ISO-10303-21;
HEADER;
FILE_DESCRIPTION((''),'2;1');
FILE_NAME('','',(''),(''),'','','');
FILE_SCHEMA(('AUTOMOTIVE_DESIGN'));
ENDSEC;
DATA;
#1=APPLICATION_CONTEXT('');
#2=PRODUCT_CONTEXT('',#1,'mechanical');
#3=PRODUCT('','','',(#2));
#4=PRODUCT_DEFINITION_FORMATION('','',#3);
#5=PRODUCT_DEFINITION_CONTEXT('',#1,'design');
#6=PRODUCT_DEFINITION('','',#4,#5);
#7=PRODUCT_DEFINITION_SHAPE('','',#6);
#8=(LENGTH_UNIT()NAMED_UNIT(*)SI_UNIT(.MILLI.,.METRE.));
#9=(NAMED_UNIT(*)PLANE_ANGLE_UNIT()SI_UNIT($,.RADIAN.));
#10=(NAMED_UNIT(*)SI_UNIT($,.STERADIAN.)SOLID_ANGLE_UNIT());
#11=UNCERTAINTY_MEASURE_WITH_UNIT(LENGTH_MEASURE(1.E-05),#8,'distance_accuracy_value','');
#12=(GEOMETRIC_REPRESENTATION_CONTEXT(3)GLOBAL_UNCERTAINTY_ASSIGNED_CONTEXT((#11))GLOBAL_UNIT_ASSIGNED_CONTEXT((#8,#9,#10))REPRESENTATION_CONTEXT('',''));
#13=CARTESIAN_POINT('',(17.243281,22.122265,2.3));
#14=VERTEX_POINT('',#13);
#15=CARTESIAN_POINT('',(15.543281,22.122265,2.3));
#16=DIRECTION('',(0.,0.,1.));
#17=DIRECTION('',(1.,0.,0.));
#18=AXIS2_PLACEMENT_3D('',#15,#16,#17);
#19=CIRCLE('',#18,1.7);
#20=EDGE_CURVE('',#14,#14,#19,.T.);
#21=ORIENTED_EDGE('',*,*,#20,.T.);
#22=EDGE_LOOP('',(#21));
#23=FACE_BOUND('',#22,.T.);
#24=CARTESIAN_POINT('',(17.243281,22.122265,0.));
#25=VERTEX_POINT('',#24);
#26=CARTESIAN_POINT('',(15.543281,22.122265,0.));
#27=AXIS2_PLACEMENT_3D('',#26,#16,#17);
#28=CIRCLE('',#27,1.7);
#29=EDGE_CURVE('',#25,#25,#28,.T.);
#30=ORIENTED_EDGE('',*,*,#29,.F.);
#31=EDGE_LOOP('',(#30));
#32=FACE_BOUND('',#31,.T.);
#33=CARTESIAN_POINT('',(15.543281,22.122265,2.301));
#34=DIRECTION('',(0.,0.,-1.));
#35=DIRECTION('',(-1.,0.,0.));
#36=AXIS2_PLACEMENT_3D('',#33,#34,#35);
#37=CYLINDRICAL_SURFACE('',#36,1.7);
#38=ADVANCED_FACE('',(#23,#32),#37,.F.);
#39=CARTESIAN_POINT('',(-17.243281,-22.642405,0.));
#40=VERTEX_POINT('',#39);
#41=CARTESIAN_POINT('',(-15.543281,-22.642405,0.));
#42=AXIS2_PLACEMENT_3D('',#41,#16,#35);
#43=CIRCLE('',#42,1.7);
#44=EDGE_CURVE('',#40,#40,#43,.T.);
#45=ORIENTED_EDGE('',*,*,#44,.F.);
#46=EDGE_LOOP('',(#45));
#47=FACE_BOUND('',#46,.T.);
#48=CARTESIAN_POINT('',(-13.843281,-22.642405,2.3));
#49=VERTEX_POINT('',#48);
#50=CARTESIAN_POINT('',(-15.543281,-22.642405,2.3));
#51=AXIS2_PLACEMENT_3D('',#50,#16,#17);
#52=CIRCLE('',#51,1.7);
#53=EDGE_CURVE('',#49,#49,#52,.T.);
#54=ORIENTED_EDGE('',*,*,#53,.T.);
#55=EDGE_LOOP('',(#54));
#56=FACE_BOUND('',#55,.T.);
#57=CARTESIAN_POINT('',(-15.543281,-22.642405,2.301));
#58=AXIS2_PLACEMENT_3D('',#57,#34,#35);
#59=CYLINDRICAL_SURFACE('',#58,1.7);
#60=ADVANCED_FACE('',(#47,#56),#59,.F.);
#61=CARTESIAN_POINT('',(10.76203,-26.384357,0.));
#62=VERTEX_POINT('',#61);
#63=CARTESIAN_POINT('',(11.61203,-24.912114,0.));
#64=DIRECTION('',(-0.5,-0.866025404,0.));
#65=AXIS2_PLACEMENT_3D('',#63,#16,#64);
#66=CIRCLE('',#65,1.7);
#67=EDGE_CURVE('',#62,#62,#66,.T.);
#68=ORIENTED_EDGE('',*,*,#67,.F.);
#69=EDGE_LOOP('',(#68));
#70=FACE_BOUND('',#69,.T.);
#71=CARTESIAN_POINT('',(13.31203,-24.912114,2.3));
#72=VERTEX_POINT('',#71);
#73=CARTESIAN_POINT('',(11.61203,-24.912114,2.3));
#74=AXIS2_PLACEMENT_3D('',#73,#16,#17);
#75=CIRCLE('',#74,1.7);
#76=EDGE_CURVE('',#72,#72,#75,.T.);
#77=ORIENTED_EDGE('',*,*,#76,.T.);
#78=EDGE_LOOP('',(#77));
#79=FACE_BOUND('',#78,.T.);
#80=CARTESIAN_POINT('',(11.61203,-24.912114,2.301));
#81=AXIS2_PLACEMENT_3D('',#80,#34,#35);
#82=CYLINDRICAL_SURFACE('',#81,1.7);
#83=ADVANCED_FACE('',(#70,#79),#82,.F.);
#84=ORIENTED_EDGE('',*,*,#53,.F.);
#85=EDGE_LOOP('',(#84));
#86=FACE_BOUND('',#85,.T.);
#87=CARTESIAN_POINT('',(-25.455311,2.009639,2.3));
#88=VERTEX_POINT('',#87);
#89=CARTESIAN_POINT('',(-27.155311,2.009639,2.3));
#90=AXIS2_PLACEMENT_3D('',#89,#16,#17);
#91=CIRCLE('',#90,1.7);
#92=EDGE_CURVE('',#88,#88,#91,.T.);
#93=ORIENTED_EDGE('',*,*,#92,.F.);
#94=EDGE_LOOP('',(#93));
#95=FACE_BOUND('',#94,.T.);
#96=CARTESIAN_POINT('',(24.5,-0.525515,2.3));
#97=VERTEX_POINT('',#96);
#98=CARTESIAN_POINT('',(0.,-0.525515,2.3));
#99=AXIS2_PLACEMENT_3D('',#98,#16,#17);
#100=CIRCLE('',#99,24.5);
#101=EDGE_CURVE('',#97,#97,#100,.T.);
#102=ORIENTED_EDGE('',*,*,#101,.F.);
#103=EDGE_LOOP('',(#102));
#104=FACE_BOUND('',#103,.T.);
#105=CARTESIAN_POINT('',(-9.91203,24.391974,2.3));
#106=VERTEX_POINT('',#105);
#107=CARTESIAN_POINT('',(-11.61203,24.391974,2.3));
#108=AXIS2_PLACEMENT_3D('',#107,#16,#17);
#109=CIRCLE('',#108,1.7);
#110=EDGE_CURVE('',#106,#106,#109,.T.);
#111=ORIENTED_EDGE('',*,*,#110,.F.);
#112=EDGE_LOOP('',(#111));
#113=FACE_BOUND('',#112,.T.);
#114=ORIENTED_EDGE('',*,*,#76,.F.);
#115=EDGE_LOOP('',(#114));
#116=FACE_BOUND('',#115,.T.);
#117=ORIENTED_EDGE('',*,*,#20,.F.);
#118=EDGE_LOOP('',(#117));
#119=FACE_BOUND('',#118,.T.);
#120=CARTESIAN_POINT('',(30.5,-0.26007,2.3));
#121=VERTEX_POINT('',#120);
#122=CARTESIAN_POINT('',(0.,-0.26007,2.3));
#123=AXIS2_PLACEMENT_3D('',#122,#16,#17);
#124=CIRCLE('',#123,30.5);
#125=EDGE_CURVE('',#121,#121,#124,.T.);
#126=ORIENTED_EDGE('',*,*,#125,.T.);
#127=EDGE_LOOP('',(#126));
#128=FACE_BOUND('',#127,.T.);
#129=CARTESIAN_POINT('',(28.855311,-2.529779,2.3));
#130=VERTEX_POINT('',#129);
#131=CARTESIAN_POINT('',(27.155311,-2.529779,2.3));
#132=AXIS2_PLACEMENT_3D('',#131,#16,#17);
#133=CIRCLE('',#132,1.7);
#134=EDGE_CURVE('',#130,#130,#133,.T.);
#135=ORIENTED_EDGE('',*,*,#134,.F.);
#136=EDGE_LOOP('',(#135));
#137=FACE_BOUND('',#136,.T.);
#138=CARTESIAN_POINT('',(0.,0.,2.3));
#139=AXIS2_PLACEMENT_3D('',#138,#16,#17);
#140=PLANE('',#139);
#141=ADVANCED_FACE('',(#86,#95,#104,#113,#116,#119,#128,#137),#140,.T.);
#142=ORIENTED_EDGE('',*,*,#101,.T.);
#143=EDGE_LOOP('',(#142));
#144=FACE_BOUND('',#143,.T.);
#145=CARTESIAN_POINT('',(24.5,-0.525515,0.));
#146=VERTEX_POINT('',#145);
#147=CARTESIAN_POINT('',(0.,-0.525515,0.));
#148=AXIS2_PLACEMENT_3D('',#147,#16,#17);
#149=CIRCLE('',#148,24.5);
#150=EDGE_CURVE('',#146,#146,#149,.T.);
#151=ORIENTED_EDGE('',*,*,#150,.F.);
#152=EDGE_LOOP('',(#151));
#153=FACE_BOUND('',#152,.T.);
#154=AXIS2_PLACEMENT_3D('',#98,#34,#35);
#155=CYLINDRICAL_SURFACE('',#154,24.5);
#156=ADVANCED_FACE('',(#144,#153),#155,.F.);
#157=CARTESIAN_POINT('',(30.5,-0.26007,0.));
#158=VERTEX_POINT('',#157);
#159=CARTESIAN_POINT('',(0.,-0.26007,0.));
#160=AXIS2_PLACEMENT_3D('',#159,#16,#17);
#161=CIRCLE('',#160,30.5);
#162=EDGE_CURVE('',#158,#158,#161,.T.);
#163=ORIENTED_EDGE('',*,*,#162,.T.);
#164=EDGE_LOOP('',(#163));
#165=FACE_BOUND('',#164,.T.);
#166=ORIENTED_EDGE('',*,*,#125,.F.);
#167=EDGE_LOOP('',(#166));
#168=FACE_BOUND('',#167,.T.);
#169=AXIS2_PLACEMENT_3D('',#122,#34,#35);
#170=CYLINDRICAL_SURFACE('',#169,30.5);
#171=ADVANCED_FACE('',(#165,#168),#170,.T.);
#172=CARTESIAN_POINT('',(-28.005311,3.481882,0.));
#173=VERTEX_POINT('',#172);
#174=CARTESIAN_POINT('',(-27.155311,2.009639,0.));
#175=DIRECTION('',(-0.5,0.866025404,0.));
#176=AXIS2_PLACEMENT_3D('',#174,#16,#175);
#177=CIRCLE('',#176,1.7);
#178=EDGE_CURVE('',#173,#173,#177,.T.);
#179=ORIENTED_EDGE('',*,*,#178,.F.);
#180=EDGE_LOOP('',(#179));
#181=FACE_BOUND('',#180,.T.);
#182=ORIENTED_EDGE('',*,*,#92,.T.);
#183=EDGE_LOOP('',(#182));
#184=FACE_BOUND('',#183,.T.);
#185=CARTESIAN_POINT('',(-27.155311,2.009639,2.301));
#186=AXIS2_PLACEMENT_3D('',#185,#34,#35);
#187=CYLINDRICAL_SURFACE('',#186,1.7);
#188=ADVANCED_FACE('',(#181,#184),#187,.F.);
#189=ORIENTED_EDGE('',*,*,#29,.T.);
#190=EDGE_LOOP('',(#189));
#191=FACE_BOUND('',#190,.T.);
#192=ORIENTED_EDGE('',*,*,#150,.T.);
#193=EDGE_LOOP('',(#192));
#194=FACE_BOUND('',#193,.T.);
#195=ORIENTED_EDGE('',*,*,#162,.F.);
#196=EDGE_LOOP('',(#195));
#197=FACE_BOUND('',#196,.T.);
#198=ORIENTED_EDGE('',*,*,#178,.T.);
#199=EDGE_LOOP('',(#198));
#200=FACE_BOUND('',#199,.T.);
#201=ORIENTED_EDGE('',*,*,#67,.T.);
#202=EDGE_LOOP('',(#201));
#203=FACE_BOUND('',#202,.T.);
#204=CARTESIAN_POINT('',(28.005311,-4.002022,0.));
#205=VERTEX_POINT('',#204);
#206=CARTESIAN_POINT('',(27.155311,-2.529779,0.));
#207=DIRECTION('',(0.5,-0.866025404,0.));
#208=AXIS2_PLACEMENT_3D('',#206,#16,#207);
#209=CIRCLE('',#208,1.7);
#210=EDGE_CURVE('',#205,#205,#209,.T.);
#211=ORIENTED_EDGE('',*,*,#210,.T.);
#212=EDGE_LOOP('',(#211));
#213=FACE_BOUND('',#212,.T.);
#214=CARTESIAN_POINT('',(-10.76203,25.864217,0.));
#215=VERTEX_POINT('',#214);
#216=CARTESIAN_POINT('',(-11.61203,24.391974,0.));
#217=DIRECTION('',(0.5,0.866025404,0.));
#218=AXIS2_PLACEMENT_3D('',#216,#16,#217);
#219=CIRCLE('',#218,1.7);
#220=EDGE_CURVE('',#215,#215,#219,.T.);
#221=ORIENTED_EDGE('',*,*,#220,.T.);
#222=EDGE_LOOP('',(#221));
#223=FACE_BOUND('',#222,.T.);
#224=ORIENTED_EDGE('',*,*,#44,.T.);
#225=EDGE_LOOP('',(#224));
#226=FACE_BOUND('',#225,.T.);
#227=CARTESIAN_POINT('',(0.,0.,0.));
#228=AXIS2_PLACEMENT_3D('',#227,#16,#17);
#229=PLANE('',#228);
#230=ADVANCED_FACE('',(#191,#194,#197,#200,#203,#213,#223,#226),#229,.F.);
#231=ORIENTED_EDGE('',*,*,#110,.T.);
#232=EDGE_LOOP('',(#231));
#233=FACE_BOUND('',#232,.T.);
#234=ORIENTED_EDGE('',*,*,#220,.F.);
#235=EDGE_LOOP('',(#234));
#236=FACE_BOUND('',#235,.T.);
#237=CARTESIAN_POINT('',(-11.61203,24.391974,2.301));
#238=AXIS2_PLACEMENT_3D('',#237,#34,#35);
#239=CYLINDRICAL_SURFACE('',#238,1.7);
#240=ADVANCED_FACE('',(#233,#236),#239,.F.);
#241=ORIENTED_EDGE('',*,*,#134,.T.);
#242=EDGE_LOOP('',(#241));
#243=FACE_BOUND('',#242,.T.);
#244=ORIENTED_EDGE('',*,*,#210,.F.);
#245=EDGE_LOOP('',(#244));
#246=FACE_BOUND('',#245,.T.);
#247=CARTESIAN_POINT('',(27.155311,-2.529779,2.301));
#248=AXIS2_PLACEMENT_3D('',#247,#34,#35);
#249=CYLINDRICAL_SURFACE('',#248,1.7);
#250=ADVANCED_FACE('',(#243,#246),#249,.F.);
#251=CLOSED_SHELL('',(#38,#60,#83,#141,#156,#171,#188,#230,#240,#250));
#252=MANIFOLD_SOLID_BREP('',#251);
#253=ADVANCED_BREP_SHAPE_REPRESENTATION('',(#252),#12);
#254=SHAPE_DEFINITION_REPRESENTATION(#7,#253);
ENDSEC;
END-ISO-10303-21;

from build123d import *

# Parameters (mm, degrees)
ESQUISSE1_R                  = 30.5
ESQUISSE1_R_2                = 24.5
BOSS_EXTRU_1_DEPTH           = 2.3
ENL_V_MAT_EXTRU_2_REACH      = 45.379
ESQUISSE1_3_R                = 1.7
R_P_TITION_CIRCULAIRE1_COUNT = 6


with BuildPart() as part:
    # Esquisse1 → Boss.-Extru.1 (new body)
    with BuildSketch(Plane.XY):
        with Locations((0, -0.260069897)):
            Circle(ESQUISSE1_R)
        with Locations((0, -0.525514899)):
            Circle(ESQUISSE1_R_2, mode=Mode.SUBTRACT)
    extrude(amount=BOSS_EXTRU_1_DEPTH)

    # Esquisse1<3> → Enlèv. mat.-Extru.2 (cut, up to next)
    with BuildSketch(Plane.XY, mode=Mode.PRIVATE) as enl_v_mat_extru_2_sk1:
        with Locations((15.543281325, 22.122264781)):
            Circle(ESQUISSE1_3_R)
    enl_v_mat_extru_2_tool1 = extrude(enl_v_mat_extru_2_sk1.sketch, amount=ENL_V_MAT_EXTRU_2_REACH, mode=Mode.PRIVATE) & part.part
    enl_v_mat_extru_2 = enl_v_mat_extru_2_tool1.solids().sort_by_distance((15.543281, 22.122265, 0))[0]
    add(enl_v_mat_extru_2, mode=Mode.SUBTRACT)

    # Répétition circulaire1: Enlèv. mat.-Extru.2 ×6 about axis
    r_p_tition_circulaire1_axis = Axis((0, -0.260069897, 2.3), (0, 0, -1))
    for i in range(1, R_P_TITION_CIRCULAIRE1_COUNT):
        add(enl_v_mat_extru_2.rotate(r_p_tition_circulaire1_axis, i * 360 / R_P_TITION_CIRCULAIRE1_COUNT), mode=Mode.SUBTRACT)


solid = part.part
